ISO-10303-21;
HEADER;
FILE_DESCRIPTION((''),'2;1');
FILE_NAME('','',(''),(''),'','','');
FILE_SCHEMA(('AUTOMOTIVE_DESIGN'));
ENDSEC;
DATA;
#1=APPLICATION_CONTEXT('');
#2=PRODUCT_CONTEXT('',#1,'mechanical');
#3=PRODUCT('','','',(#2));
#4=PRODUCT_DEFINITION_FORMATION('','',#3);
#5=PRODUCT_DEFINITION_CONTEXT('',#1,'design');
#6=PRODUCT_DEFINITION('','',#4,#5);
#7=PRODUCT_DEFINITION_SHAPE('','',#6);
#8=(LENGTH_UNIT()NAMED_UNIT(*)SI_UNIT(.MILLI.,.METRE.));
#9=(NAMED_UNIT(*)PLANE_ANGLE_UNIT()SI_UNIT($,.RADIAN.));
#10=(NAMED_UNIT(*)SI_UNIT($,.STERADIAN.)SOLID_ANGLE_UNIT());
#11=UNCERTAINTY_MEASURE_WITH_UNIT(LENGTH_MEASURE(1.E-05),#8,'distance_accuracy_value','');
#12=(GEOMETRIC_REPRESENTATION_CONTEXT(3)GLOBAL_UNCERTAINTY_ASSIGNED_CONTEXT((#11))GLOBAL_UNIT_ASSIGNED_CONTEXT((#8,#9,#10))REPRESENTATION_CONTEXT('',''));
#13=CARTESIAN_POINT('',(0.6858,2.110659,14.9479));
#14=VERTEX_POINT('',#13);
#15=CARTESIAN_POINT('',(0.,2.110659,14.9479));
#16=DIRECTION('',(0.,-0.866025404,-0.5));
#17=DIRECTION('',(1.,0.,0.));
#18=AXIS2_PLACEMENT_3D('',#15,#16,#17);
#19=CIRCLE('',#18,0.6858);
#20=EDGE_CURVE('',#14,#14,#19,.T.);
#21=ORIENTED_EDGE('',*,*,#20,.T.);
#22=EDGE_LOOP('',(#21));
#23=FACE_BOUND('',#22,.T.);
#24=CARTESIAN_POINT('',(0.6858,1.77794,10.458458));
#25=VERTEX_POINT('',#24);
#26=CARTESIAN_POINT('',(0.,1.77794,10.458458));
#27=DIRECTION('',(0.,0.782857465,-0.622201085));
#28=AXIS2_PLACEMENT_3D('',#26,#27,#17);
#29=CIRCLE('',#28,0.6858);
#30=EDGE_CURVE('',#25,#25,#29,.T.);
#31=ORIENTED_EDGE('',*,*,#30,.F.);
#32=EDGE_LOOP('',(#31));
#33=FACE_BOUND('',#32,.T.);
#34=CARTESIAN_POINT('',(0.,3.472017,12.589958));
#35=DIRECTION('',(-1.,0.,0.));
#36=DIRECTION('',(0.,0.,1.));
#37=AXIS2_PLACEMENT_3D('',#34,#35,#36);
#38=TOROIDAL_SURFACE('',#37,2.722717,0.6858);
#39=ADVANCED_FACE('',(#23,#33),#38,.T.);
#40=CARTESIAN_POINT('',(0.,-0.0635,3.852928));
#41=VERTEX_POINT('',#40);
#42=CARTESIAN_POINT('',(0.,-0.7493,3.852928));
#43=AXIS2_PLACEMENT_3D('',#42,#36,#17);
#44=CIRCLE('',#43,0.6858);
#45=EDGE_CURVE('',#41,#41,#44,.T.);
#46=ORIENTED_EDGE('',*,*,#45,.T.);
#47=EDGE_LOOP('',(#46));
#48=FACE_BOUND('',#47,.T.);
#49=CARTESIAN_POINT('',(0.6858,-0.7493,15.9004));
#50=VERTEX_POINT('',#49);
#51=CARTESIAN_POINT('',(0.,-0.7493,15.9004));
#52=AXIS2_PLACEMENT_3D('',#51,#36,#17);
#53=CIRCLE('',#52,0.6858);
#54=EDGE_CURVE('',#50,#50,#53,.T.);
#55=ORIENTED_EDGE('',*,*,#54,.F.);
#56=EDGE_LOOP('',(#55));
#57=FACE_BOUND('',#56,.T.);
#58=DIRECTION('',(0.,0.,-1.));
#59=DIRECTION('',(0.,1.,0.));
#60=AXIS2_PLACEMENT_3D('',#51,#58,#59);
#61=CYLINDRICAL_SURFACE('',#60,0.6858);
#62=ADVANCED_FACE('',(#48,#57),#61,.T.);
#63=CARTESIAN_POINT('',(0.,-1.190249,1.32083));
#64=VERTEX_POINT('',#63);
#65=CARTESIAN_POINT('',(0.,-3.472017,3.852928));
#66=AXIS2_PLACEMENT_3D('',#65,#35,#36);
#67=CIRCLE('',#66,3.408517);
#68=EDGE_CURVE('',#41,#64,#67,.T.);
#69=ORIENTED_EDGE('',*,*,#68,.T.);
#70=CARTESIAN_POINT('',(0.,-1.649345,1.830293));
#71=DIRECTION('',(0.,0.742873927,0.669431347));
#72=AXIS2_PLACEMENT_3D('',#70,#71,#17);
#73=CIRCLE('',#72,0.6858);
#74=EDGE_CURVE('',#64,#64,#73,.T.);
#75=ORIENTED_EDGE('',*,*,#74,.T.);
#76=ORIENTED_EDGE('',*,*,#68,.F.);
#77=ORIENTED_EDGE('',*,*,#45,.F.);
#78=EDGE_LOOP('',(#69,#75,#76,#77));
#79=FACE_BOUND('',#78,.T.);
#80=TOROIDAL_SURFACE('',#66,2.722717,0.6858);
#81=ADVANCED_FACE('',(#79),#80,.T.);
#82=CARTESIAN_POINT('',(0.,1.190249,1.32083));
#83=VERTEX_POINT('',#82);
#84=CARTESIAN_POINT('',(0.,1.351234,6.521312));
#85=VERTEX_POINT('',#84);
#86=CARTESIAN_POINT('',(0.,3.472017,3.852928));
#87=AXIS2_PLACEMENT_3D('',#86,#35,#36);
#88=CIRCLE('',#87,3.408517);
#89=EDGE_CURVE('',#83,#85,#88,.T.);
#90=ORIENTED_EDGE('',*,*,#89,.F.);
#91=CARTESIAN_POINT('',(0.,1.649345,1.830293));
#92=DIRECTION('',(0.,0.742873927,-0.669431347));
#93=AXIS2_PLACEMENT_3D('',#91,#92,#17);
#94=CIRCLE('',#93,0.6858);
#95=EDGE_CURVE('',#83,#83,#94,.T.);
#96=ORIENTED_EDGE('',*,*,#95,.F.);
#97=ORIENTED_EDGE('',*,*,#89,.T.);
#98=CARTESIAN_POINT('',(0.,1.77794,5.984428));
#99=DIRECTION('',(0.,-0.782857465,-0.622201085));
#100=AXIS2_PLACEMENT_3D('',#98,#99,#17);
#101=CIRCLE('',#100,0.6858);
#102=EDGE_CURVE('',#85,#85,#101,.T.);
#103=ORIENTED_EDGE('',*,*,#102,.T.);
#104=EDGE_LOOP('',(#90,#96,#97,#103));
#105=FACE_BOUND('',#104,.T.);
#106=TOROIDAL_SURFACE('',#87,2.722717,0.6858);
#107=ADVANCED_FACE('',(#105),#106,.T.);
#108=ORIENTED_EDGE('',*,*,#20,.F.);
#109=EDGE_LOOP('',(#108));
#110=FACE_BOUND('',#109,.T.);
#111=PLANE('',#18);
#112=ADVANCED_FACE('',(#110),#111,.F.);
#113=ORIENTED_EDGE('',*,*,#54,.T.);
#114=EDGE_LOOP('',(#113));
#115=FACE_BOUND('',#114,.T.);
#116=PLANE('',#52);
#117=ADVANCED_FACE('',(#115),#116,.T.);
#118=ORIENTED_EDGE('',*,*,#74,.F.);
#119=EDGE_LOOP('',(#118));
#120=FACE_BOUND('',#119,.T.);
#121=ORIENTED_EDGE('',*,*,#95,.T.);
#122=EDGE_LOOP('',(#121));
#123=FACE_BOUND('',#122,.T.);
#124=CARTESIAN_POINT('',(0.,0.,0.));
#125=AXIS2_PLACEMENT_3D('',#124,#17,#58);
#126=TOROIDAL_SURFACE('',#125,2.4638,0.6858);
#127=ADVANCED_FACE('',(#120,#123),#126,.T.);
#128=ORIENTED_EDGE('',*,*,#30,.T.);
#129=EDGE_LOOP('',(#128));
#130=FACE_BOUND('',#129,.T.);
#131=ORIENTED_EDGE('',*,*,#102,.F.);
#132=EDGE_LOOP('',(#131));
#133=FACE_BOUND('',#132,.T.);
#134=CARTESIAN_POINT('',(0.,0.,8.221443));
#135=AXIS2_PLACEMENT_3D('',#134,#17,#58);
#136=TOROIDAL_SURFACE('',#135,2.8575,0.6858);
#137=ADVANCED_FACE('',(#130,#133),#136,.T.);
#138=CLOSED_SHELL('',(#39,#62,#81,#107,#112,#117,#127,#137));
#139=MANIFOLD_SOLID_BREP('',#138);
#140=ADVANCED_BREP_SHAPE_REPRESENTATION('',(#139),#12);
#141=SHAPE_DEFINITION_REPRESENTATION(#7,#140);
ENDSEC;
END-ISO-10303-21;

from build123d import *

# Parameters (mm, degrees)
SKETCH2_R = 0.6858


with BuildPart() as part:
    # Sweep1: sweep along a path in Sketch3
    with BuildLine(Plane(origin=(0, 0, 0), x_dir=(0, 0, -1), z_dir=(1, 0, 0))) as sweep1_path:
        Line((-15.9004, -0.7493), (-3.85292839, -0.7493))
        ThreePointArc((-3.85292839, -0.7493), (-2.74600295, -0.984467198), (-1.830292782, -1.649344953))
        ThreePointArc((-1.830292782, -1.649344953), (2.4638, 0), (-1.830292782, 1.649344953))
        ThreePointArc((-1.830292782, 1.649344953), (-3.937171972, 0.750603602), (-5.984427864, 1.7779396))
        ThreePointArc((-5.984427864, 1.7779396), (-8.22144307, 2.8575), (-10.458458276, 1.7779396))
        ThreePointArc((-10.458458276, 1.7779396), (-12.791190363, 0.756746608), (-14.9479, 2.110658593))
    # Sketch2 → Sweep1 (sweep)
    with BuildSketch(Plane.XY.offset(15.9004)):
        with Locations((0, -0.7493)):
            Circle(SKETCH2_R)
    sweep(path=sweep1_path.line)


solid = part.part
